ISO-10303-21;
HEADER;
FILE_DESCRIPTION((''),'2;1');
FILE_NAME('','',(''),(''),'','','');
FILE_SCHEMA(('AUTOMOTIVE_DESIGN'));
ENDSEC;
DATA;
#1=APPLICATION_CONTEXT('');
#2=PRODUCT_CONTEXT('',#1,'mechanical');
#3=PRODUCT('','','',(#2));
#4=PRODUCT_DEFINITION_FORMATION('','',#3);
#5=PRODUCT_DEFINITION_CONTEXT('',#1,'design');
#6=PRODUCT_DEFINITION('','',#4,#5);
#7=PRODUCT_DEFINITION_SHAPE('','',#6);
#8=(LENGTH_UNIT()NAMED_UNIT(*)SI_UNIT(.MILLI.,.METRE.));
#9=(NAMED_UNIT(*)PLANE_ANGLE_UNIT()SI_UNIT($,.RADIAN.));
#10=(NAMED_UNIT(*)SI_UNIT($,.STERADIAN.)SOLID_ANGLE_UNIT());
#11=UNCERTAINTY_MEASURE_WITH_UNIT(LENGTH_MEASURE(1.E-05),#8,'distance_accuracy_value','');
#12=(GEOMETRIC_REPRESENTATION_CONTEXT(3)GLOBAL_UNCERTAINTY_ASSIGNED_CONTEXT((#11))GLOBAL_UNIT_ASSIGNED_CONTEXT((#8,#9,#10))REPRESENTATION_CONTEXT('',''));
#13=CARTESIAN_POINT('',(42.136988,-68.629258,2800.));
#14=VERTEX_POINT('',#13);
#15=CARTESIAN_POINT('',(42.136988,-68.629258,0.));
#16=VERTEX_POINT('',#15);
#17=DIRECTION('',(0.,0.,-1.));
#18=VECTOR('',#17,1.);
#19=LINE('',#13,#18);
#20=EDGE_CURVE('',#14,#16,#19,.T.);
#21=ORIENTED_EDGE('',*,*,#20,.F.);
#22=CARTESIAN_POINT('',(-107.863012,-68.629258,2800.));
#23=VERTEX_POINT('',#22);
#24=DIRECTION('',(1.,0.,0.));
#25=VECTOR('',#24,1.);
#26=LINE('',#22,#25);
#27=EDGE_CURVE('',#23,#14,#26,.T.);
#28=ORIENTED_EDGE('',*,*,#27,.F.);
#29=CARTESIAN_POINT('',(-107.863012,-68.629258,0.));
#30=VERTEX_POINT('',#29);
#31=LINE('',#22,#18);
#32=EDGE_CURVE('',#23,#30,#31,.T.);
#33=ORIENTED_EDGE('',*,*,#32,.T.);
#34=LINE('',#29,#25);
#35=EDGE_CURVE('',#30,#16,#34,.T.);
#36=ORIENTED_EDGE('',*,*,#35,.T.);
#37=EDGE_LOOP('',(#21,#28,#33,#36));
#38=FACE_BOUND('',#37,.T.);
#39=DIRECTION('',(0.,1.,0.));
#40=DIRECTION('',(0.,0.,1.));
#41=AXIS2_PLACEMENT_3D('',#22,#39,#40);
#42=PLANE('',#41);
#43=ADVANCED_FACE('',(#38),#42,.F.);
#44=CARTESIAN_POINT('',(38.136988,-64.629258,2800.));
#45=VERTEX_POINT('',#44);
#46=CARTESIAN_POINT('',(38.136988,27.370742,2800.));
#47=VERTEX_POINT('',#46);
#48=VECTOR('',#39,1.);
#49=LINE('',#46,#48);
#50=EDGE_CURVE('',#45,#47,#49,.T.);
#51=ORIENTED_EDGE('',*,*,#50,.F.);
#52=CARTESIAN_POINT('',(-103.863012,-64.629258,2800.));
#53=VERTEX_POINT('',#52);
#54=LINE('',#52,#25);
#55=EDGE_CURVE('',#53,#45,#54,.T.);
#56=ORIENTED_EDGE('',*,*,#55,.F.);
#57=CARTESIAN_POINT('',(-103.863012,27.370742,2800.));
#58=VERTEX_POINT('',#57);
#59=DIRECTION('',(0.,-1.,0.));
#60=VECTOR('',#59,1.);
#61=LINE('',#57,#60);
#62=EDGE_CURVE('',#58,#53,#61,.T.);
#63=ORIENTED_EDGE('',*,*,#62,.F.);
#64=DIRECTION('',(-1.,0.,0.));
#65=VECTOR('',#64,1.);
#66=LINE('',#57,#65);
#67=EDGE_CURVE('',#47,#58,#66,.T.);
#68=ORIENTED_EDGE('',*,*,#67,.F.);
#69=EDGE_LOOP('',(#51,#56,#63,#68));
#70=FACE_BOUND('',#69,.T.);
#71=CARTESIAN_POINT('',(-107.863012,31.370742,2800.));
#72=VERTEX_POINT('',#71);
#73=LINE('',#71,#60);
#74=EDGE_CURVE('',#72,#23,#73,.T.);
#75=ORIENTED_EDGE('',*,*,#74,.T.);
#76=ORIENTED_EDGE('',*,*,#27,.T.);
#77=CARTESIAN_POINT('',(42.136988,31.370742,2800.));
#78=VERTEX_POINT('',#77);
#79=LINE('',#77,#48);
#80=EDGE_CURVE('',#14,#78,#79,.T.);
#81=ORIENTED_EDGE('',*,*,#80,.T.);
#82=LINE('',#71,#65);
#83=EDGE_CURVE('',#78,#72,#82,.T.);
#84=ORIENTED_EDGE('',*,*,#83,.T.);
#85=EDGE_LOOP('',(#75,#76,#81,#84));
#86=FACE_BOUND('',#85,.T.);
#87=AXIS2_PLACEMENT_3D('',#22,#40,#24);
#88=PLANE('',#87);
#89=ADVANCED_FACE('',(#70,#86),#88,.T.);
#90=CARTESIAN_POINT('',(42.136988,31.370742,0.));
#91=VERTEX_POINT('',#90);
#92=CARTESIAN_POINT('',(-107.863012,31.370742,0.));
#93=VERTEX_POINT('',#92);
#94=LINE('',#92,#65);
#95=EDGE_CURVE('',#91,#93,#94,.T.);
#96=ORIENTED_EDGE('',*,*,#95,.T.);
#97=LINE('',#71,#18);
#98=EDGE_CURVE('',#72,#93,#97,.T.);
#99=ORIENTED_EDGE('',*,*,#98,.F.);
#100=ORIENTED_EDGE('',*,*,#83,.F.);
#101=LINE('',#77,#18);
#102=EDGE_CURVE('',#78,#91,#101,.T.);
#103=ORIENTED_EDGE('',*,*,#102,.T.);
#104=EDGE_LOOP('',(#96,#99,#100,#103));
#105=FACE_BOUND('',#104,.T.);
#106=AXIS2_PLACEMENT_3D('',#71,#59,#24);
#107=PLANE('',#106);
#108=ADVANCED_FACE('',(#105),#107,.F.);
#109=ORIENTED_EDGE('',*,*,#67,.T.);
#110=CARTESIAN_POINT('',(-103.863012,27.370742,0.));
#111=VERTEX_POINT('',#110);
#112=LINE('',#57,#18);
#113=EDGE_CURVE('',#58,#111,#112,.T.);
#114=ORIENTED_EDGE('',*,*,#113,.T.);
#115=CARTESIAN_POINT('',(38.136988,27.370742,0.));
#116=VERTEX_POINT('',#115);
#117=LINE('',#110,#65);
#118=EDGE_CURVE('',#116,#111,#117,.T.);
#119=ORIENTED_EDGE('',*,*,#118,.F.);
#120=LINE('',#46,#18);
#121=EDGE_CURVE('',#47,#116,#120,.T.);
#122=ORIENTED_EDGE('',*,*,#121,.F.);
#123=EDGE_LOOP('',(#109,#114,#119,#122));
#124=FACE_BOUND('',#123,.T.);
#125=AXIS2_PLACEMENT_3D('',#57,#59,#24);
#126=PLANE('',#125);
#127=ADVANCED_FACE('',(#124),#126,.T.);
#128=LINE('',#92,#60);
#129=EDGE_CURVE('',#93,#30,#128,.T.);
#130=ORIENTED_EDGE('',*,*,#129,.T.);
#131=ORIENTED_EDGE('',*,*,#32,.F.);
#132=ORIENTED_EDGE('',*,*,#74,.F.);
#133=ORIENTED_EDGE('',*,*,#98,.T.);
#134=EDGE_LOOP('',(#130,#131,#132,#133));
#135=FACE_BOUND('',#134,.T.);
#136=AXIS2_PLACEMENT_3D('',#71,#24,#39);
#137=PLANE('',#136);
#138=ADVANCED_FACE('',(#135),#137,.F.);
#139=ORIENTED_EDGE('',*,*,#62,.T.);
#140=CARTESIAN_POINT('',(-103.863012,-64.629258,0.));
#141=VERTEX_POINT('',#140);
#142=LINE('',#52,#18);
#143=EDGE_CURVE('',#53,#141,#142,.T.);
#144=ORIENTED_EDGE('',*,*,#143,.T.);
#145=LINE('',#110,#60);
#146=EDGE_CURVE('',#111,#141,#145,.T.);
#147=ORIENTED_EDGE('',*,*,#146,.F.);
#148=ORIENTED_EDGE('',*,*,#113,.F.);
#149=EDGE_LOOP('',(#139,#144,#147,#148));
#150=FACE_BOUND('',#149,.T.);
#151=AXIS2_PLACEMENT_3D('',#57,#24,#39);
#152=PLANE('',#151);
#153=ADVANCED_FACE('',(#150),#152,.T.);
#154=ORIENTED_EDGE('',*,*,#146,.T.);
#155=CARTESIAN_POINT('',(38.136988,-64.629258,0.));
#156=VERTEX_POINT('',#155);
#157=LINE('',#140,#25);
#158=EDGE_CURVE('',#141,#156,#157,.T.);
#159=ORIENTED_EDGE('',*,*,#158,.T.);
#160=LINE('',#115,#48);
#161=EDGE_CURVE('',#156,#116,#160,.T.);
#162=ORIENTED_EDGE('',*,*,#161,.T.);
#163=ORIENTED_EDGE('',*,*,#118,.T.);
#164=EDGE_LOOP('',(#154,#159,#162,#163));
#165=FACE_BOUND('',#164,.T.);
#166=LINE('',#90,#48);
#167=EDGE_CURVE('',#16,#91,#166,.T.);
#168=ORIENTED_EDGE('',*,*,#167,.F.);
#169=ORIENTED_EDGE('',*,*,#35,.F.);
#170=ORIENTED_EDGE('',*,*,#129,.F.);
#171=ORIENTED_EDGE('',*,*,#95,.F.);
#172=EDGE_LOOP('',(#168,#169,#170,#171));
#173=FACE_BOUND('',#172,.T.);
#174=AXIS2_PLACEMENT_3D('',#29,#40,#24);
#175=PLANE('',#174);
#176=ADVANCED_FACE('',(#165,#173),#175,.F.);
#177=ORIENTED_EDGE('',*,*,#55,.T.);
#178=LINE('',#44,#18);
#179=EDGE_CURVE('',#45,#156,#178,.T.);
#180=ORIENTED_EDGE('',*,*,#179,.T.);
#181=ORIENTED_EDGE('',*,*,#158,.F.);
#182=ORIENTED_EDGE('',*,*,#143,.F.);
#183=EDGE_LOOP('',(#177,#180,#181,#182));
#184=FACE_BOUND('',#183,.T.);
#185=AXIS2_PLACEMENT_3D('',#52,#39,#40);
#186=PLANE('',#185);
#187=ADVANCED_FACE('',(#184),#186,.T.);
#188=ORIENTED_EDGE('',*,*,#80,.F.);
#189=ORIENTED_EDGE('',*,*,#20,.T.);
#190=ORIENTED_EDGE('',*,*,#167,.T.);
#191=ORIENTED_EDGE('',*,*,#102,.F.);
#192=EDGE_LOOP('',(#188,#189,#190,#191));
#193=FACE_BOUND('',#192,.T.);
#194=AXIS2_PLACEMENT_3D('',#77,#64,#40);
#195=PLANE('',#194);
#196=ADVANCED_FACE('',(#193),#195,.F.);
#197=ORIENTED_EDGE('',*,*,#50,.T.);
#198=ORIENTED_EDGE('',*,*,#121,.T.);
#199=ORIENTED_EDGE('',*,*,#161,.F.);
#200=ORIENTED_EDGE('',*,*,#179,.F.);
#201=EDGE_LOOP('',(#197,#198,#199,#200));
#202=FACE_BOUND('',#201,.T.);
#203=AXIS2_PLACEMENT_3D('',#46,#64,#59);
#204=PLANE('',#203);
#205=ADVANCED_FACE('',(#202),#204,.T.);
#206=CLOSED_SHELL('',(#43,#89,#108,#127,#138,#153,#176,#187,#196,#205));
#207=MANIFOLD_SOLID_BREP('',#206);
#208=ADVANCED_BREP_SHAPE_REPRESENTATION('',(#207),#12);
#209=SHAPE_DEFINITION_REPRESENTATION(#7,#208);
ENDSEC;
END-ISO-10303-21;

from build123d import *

# Parameters (mm, degrees)
CROQUIS1_W              = 150
CROQUIS1_H              = 100
CROQUIS1_W_2            = 142
CROQUIS1_H_2            = 92
SALIENTE_EXTRUIR2_DEPTH = 2800


with BuildPart() as part:
    # Croquis1 → Saliente-Extruir2 (new body)
    with BuildSketch(Plane.XY):
        with Locations((-32.863012306, -18.62925801)):
            Rectangle(CROQUIS1_W, CROQUIS1_H)
        with Locations((-32.863012306, -18.62925801)):
            Rectangle(CROQUIS1_W_2, CROQUIS1_H_2, mode=Mode.SUBTRACT)
    extrude(amount=SALIENTE_EXTRUIR2_DEPTH)


solid = part.part
